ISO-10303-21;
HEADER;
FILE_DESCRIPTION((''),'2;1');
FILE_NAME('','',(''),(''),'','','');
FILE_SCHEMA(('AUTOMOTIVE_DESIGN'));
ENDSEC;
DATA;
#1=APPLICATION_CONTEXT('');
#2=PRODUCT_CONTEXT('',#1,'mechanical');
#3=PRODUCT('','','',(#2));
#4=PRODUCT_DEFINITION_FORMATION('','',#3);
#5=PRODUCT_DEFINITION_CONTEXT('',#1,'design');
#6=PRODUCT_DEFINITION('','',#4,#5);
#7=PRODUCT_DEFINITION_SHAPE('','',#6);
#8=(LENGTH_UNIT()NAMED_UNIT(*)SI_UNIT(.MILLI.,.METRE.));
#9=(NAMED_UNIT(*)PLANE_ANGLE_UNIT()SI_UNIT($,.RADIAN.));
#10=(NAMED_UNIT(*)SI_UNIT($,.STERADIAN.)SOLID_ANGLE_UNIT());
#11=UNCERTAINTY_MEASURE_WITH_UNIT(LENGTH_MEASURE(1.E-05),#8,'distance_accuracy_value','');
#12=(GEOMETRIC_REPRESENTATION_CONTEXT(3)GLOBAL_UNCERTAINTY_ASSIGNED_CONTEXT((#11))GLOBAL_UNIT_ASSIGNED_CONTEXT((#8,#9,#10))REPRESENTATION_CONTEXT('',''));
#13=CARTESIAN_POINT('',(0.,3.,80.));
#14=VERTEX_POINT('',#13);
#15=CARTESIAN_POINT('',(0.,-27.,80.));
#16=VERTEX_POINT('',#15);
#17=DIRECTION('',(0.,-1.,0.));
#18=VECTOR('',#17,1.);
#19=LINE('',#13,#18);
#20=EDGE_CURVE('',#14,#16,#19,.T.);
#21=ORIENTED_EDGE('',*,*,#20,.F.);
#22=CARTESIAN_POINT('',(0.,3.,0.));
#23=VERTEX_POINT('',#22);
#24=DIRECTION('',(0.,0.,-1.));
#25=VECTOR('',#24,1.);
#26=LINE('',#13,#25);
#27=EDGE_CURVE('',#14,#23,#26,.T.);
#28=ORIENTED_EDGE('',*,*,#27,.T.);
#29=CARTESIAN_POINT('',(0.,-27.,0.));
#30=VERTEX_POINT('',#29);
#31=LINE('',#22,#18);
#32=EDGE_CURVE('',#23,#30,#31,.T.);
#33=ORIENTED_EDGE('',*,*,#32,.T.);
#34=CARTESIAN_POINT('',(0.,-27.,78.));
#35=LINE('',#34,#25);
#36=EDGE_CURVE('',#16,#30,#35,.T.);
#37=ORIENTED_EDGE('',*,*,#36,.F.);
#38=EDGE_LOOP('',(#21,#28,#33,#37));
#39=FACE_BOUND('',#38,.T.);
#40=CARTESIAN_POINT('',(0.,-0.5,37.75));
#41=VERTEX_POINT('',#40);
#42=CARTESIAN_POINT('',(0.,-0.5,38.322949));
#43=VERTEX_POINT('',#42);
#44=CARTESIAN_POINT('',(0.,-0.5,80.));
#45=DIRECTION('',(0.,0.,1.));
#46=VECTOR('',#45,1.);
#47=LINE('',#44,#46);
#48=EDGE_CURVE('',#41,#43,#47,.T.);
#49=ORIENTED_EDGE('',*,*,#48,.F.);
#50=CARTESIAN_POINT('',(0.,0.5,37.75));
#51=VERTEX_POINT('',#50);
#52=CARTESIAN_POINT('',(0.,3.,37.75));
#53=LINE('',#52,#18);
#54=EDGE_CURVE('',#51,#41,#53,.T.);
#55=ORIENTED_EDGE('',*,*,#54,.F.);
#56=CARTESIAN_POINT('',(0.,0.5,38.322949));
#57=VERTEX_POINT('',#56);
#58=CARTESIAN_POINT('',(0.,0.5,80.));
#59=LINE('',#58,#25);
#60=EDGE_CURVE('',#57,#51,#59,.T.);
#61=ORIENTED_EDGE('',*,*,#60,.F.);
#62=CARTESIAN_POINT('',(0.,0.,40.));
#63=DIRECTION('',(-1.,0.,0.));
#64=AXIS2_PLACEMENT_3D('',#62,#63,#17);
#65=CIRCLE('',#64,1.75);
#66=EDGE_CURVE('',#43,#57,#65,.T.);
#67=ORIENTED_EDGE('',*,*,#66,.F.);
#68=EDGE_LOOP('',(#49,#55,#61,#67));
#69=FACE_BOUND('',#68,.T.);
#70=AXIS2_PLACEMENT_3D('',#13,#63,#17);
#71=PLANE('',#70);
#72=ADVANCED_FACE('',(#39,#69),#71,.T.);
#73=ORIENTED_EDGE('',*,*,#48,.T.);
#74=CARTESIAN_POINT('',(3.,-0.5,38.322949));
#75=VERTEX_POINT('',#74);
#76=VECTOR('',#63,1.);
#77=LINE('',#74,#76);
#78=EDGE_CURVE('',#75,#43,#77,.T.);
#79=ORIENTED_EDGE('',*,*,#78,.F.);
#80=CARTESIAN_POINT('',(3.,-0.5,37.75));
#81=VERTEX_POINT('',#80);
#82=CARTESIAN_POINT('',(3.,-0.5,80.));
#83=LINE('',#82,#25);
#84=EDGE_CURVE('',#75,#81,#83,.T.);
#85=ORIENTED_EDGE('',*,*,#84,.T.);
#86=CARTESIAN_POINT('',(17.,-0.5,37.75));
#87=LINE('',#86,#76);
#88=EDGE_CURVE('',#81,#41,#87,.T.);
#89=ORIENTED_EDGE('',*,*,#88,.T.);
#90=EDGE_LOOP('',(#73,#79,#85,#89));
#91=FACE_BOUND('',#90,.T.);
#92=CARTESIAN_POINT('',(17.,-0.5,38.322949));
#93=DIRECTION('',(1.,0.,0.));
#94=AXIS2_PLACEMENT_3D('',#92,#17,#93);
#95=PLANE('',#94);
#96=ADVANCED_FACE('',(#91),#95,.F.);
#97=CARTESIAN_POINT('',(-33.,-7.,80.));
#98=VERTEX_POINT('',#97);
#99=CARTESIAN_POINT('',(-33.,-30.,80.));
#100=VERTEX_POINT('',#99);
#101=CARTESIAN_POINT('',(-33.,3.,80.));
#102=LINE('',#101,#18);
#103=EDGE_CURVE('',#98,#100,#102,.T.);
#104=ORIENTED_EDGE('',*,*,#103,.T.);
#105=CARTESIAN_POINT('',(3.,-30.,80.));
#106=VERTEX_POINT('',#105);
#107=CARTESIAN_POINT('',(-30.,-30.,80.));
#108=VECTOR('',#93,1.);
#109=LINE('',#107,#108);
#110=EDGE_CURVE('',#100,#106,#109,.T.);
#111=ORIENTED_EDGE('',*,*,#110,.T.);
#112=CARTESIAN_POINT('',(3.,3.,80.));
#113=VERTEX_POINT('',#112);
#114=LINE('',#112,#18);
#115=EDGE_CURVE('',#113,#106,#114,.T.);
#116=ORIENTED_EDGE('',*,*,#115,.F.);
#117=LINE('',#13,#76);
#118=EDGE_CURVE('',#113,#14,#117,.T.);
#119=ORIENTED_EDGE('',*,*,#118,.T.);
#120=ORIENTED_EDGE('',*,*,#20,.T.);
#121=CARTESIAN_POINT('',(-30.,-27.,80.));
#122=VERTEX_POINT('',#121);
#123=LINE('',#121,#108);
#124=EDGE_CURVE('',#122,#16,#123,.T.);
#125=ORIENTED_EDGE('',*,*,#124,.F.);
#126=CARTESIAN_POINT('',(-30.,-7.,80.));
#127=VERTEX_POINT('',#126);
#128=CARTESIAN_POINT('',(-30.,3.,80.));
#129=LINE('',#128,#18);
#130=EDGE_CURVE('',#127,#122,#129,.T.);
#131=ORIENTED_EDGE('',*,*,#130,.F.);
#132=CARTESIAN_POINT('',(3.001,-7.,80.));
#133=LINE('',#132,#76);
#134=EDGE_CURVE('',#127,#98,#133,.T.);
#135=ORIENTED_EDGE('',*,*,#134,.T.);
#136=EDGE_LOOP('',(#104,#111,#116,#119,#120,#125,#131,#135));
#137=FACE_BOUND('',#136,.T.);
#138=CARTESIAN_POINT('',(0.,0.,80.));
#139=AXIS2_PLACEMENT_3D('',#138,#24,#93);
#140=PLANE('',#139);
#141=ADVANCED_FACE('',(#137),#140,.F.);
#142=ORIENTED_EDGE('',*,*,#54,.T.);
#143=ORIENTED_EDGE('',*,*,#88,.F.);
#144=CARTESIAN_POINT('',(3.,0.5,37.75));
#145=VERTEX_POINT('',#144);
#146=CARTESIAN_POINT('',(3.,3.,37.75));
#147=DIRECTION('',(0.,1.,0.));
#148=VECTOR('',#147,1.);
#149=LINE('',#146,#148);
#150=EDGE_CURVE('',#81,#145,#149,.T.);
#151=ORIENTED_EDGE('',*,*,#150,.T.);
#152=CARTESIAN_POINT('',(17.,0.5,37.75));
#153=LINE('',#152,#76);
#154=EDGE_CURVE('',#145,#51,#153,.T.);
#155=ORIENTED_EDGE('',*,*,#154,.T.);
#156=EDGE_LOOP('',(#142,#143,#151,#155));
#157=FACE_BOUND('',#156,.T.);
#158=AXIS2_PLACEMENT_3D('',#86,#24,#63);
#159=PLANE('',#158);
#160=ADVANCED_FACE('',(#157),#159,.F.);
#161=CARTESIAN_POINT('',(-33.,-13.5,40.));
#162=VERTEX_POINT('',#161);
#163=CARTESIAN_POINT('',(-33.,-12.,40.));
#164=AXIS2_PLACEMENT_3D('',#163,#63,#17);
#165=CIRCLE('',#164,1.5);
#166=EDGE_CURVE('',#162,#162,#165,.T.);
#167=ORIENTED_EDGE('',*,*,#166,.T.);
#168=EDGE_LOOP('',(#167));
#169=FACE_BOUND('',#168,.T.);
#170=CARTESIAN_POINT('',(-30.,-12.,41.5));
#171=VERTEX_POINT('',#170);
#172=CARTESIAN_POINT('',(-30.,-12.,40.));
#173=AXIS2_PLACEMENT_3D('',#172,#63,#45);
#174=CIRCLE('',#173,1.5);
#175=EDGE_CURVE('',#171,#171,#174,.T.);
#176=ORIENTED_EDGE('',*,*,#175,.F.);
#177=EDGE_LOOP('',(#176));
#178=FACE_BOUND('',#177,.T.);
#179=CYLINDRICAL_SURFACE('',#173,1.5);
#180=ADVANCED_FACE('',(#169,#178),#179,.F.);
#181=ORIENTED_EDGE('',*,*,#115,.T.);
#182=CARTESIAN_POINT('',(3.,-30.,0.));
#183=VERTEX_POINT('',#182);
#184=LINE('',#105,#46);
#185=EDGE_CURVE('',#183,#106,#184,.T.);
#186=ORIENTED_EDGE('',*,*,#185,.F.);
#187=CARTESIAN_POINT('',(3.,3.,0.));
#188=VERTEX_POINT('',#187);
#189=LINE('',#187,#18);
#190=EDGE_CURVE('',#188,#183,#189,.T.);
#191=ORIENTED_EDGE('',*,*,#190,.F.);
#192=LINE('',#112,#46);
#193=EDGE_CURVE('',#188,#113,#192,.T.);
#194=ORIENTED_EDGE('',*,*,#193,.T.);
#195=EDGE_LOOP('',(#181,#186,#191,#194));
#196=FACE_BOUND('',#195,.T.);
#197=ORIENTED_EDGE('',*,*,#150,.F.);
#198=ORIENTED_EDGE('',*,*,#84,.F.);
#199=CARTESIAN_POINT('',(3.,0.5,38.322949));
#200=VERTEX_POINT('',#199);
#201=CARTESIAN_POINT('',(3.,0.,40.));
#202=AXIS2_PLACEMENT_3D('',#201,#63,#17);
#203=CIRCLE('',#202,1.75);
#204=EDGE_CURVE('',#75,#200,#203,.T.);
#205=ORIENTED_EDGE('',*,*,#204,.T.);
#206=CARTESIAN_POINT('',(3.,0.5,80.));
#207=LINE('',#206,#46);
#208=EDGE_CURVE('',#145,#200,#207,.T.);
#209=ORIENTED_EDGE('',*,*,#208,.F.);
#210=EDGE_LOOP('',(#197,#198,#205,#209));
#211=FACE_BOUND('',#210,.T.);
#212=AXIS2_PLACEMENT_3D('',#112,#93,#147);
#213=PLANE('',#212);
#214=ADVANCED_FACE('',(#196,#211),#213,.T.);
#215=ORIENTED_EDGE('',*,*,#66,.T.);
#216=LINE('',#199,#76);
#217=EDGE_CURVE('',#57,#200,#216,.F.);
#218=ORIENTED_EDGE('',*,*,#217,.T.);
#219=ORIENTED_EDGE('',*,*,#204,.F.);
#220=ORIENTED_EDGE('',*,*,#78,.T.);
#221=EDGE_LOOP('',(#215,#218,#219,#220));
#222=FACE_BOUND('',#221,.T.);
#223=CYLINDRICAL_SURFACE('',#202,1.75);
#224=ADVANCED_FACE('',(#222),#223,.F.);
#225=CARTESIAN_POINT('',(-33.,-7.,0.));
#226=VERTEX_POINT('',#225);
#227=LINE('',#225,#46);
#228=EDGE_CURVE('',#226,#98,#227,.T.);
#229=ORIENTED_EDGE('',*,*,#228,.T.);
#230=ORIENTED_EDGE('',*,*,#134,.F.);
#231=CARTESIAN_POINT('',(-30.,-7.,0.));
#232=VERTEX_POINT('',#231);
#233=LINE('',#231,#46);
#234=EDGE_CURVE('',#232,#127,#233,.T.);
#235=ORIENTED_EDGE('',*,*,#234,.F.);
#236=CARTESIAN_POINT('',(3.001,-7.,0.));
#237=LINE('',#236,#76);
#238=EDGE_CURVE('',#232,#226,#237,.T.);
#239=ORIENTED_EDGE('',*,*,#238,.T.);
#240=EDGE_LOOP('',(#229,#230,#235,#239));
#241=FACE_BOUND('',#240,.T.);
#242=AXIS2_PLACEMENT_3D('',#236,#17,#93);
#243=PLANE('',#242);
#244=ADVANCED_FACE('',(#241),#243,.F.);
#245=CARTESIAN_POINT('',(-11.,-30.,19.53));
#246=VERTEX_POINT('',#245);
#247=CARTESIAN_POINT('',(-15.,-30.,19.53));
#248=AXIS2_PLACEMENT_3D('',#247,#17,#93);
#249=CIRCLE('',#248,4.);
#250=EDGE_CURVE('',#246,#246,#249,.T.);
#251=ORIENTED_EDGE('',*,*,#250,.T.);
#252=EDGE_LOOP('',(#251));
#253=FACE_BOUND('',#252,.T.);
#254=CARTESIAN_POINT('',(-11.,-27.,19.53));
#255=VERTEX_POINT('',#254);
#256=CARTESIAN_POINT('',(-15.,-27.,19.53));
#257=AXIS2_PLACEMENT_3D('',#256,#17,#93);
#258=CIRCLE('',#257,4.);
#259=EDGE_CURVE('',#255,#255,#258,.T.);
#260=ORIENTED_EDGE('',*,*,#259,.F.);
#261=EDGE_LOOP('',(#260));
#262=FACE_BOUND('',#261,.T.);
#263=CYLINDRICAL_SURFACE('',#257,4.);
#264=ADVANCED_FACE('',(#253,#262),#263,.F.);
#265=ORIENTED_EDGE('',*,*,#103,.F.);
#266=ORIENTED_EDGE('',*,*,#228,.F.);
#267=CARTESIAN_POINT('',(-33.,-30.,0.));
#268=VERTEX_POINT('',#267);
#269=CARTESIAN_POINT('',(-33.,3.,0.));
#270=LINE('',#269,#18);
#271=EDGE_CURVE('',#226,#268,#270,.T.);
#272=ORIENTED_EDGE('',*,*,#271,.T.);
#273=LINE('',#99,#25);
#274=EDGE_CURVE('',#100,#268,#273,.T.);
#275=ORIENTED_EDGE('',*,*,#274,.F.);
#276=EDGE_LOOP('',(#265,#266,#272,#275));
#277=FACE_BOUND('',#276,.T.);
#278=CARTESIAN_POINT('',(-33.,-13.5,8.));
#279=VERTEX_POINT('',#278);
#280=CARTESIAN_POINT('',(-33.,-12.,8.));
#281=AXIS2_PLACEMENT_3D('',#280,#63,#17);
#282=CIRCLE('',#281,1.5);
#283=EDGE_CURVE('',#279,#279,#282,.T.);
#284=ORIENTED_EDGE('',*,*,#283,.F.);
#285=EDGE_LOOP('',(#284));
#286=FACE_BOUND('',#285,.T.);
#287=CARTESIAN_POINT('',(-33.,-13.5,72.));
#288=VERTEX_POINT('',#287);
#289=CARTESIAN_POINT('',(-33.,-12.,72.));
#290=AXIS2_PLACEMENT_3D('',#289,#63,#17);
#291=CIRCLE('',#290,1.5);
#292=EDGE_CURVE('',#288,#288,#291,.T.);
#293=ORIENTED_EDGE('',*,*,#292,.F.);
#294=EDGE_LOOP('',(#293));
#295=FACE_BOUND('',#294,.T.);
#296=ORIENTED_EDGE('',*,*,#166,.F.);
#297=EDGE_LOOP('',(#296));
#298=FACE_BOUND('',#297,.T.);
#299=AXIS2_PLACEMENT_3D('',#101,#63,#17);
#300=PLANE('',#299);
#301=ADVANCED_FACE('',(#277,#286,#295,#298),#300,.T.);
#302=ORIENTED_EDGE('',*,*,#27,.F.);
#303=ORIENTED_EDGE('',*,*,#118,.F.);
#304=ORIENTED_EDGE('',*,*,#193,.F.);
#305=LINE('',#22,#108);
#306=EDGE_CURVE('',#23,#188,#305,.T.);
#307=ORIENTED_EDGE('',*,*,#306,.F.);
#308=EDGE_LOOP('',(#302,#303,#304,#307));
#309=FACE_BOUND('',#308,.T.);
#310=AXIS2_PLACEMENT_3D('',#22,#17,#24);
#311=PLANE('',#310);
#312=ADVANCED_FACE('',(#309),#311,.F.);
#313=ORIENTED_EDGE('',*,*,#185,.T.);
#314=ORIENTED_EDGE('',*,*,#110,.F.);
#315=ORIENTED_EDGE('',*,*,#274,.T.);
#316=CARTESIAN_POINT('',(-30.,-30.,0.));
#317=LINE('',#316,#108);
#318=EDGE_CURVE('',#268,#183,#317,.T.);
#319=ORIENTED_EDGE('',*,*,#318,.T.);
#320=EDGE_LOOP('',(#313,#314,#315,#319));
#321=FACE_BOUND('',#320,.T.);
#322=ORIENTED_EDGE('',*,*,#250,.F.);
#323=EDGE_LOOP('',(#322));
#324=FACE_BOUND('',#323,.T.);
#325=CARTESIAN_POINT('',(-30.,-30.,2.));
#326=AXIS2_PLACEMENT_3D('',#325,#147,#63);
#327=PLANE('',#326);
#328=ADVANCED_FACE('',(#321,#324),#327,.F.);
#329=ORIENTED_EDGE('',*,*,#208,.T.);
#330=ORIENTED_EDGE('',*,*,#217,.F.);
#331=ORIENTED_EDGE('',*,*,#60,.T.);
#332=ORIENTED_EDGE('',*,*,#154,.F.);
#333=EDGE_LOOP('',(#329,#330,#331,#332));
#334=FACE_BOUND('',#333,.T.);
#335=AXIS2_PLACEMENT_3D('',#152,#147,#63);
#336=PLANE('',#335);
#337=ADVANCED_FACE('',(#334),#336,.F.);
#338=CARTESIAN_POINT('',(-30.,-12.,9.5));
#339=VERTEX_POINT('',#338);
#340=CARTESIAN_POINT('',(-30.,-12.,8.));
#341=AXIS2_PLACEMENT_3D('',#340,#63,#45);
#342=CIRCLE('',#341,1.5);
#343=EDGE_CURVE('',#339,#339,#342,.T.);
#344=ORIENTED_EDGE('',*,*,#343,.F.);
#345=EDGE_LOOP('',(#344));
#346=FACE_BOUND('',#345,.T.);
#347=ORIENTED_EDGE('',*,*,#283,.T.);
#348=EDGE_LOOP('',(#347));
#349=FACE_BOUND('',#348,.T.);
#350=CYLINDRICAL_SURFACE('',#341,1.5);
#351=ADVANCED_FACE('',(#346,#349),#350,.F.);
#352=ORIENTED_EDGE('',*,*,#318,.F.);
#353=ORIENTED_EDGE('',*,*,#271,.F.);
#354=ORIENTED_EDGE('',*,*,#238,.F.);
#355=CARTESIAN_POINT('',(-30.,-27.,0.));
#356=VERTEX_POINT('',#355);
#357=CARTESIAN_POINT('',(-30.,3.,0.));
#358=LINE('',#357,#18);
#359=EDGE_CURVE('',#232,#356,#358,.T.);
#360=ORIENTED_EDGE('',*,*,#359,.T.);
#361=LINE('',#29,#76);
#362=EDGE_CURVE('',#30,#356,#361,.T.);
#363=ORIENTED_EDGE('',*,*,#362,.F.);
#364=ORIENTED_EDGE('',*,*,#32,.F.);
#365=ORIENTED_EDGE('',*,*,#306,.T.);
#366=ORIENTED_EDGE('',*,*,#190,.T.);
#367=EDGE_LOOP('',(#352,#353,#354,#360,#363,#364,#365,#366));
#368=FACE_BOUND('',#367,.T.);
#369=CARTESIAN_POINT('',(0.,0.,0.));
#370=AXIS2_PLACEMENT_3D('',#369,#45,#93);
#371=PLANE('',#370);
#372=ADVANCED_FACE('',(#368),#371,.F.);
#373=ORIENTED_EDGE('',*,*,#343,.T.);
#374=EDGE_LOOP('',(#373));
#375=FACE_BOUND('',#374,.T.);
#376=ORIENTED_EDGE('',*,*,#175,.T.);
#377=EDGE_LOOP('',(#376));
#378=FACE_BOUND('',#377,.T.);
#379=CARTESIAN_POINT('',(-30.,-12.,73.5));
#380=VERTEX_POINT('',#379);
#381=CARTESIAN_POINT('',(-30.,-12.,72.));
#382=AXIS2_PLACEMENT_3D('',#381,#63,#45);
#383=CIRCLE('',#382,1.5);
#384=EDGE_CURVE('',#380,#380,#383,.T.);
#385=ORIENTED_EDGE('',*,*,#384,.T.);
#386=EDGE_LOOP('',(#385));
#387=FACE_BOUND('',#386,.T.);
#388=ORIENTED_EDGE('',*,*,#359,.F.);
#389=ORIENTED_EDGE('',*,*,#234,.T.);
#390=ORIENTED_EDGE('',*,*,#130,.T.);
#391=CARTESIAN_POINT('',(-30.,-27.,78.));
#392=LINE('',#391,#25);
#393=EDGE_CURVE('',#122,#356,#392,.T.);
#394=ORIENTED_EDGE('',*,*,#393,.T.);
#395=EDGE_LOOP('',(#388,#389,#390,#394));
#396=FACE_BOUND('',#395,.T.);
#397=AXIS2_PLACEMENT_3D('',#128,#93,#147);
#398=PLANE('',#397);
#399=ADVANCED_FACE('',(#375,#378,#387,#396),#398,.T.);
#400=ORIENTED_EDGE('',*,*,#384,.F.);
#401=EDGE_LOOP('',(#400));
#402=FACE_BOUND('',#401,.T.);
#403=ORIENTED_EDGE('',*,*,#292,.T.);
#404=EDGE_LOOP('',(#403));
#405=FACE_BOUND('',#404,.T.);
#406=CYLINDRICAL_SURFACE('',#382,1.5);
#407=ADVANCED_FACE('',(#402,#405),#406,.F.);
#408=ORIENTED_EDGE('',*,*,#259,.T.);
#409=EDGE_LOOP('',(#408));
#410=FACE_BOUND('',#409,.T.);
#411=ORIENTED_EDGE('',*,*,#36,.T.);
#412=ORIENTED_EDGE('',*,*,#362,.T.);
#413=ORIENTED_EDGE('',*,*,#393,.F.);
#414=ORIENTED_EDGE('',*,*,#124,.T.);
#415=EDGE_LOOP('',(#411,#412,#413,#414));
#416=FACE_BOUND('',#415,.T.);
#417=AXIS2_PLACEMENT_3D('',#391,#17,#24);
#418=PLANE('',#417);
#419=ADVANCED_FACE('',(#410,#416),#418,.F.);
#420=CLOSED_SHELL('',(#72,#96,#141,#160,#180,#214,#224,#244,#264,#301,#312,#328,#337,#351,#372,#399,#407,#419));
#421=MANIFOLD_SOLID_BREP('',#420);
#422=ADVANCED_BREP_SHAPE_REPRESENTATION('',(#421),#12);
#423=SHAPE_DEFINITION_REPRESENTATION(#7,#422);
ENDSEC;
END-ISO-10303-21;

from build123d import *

# Parameters (mm, degrees)
SKETCH2_W           = 30
SKETCH2_H           = 30
SKETCH2_R           = 1.75
BOSS_EXTRUDE1_DEPTH = 2
SKETCH3_W           = 30
SKETCH3_H           = 3
BOSS_EXTRUDE2_DEPTH = 76
SKETCH7_R           = 4
CUT_EXTRUDE1_DEPTH  = 3
SKETCH8_W           = 30
SKETCH8_H           = 2
CUT_EXTRUDE2_DEPTH  = 27
SKETCH9_W           = 3
SKETCH9_H           = 80
BOSS_EXTRUDE3_DEPTH = 33
SKETCH10_R          = 1.75
CUT_EXTRUDE3_DEPTH  = 37
CUT_EXTRUDE4_DEPTH  = 50
CUT_EXTRUDE5_REACH  = 38
SKETCH12_W          = 80
SKETCH12_H          = 10
SKETCH13_R          = 1.5
CUT_EXTRUDE6_DEPTH  = 6


with BuildPart() as part:
    # Sketch2 → Boss-Extrude1 (new body)
    with BuildSketch(Plane.XY):
        with Locations((-15, -15)):
            Rectangle(SKETCH2_W, SKETCH2_H)
        with Locations((-15, -2.5)):
            Circle(SKETCH2_R, mode=Mode.SUBTRACT)
    boss_extrude1 = extrude(amount=BOSS_EXTRUDE1_DEPTH)

    # Sketch3 → Boss-Extrude2 (add)
    with BuildSketch(Plane.XY.offset(2)):
        with Locations((-15, -28.5)):
            Rectangle(SKETCH3_W, SKETCH3_H)
    extrude(amount=BOSS_EXTRUDE2_DEPTH)

    # Mirror1: Boss-Extrude1 across plane
    add(boss_extrude1.mirror(Plane.XY.offset(40)))

    # Sketch7 → Cut-Extrude1 (cut)
    with BuildSketch(Plane(origin=(-25.653020371, -30, -8.772654641), x_dir=(1, 0, 0), z_dir=(0, -1, 0))):
        with Locations((10.653020371, 28.302654641)):
            Circle(SKETCH7_R)
    extrude(amount=-CUT_EXTRUDE1_DEPTH, mode=Mode.SUBTRACT)

    # Sketch8 → Cut-Extrude2 (cut)
    with BuildSketch(Plane(origin=(0, 0, 0), x_dir=(1, 0, 0), z_dir=(0, 1, 0))):
        with Locations((-15, -79)):
            Rectangle(SKETCH8_W, SKETCH8_H)
        with Locations((-15, -1)):
            Rectangle(SKETCH8_W, SKETCH8_H)
    extrude(amount=-CUT_EXTRUDE2_DEPTH, mode=Mode.SUBTRACT)

    # Sketch9 → Boss-Extrude3 (add)
    with BuildSketch(Plane.XZ.offset(30)):
        with Locations((1.5, 40)):
            Rectangle(SKETCH9_W, SKETCH9_H)
        with Locations((-31.5, 40)):
            Rectangle(SKETCH9_W, SKETCH9_H)
    extrude(amount=-BOSS_EXTRUDE3_DEPTH)

    # Sketch10 → Cut-Extrude3 (cut, through all)
    with BuildSketch(Plane.ZY.offset(33)):
        with Locations((40, 0)):
            Circle(SKETCH10_R)
    extrude(amount=-CUT_EXTRUDE3_DEPTH, mode=Mode.SUBTRACT)

    # Sketch11 → Cut-Extrude4 (cut)
    with BuildSketch(Plane(origin=(-33, -23.468882819, -8.772654641), x_dir=(0, 0, 1), z_dir=(-1, 0, 0))):
        with BuildLine():
            Line((47.095603657, 22.968882819), (46.522654641, 22.968882819))
            Line((46.522654641, 22.968882819), (46.522654641, 23.968882819))
            Line((46.522654641, 23.968882819), (47.095603657, 23.968882819))
            ThreePointArc((47.095603657, 23.968882819), (50.522654641, 23.468882819), (47.095603657, 22.968882819))
        make_face()
    extrude(amount=-CUT_EXTRUDE4_DEPTH, mode=Mode.SUBTRACT)

    # Sketch12 → Cut-Extrude5 (cut, up to next)
    with BuildSketch(Plane.ZY.offset(33), mode=Mode.PRIVATE) as cut_extrude5_sk1:
        with Locations((40, -2)):
            Rectangle(SKETCH12_W, SKETCH12_H)
    cut_extrude5_tool1 = extrude(cut_extrude5_sk1.sketch, amount=-CUT_EXTRUDE5_REACH, mode=Mode.PRIVATE) & part.part
    add(cut_extrude5_tool1.solids().sort_by_distance((-33, -2, 40))[0], mode=Mode.SUBTRACT)

    # Sketch13 → Cut-Extrude6 (cut)
    with BuildSketch(Plane(origin=(-36, -23.468882819, -8.772654641), x_dir=(0, 0, 1), z_dir=(-1, 0, 0))):
        with Locations((16.772654641, 11.468882819)):
            Circle(SKETCH13_R)
        with Locations((48.772654641, 11.468882819)):
            Circle(SKETCH13_R)
        with Locations((80.772654641, 11.468882819)):
            Circle(SKETCH13_R)
    extrude(amount=-CUT_EXTRUDE6_DEPTH, mode=Mode.SUBTRACT)


solid = part.part
